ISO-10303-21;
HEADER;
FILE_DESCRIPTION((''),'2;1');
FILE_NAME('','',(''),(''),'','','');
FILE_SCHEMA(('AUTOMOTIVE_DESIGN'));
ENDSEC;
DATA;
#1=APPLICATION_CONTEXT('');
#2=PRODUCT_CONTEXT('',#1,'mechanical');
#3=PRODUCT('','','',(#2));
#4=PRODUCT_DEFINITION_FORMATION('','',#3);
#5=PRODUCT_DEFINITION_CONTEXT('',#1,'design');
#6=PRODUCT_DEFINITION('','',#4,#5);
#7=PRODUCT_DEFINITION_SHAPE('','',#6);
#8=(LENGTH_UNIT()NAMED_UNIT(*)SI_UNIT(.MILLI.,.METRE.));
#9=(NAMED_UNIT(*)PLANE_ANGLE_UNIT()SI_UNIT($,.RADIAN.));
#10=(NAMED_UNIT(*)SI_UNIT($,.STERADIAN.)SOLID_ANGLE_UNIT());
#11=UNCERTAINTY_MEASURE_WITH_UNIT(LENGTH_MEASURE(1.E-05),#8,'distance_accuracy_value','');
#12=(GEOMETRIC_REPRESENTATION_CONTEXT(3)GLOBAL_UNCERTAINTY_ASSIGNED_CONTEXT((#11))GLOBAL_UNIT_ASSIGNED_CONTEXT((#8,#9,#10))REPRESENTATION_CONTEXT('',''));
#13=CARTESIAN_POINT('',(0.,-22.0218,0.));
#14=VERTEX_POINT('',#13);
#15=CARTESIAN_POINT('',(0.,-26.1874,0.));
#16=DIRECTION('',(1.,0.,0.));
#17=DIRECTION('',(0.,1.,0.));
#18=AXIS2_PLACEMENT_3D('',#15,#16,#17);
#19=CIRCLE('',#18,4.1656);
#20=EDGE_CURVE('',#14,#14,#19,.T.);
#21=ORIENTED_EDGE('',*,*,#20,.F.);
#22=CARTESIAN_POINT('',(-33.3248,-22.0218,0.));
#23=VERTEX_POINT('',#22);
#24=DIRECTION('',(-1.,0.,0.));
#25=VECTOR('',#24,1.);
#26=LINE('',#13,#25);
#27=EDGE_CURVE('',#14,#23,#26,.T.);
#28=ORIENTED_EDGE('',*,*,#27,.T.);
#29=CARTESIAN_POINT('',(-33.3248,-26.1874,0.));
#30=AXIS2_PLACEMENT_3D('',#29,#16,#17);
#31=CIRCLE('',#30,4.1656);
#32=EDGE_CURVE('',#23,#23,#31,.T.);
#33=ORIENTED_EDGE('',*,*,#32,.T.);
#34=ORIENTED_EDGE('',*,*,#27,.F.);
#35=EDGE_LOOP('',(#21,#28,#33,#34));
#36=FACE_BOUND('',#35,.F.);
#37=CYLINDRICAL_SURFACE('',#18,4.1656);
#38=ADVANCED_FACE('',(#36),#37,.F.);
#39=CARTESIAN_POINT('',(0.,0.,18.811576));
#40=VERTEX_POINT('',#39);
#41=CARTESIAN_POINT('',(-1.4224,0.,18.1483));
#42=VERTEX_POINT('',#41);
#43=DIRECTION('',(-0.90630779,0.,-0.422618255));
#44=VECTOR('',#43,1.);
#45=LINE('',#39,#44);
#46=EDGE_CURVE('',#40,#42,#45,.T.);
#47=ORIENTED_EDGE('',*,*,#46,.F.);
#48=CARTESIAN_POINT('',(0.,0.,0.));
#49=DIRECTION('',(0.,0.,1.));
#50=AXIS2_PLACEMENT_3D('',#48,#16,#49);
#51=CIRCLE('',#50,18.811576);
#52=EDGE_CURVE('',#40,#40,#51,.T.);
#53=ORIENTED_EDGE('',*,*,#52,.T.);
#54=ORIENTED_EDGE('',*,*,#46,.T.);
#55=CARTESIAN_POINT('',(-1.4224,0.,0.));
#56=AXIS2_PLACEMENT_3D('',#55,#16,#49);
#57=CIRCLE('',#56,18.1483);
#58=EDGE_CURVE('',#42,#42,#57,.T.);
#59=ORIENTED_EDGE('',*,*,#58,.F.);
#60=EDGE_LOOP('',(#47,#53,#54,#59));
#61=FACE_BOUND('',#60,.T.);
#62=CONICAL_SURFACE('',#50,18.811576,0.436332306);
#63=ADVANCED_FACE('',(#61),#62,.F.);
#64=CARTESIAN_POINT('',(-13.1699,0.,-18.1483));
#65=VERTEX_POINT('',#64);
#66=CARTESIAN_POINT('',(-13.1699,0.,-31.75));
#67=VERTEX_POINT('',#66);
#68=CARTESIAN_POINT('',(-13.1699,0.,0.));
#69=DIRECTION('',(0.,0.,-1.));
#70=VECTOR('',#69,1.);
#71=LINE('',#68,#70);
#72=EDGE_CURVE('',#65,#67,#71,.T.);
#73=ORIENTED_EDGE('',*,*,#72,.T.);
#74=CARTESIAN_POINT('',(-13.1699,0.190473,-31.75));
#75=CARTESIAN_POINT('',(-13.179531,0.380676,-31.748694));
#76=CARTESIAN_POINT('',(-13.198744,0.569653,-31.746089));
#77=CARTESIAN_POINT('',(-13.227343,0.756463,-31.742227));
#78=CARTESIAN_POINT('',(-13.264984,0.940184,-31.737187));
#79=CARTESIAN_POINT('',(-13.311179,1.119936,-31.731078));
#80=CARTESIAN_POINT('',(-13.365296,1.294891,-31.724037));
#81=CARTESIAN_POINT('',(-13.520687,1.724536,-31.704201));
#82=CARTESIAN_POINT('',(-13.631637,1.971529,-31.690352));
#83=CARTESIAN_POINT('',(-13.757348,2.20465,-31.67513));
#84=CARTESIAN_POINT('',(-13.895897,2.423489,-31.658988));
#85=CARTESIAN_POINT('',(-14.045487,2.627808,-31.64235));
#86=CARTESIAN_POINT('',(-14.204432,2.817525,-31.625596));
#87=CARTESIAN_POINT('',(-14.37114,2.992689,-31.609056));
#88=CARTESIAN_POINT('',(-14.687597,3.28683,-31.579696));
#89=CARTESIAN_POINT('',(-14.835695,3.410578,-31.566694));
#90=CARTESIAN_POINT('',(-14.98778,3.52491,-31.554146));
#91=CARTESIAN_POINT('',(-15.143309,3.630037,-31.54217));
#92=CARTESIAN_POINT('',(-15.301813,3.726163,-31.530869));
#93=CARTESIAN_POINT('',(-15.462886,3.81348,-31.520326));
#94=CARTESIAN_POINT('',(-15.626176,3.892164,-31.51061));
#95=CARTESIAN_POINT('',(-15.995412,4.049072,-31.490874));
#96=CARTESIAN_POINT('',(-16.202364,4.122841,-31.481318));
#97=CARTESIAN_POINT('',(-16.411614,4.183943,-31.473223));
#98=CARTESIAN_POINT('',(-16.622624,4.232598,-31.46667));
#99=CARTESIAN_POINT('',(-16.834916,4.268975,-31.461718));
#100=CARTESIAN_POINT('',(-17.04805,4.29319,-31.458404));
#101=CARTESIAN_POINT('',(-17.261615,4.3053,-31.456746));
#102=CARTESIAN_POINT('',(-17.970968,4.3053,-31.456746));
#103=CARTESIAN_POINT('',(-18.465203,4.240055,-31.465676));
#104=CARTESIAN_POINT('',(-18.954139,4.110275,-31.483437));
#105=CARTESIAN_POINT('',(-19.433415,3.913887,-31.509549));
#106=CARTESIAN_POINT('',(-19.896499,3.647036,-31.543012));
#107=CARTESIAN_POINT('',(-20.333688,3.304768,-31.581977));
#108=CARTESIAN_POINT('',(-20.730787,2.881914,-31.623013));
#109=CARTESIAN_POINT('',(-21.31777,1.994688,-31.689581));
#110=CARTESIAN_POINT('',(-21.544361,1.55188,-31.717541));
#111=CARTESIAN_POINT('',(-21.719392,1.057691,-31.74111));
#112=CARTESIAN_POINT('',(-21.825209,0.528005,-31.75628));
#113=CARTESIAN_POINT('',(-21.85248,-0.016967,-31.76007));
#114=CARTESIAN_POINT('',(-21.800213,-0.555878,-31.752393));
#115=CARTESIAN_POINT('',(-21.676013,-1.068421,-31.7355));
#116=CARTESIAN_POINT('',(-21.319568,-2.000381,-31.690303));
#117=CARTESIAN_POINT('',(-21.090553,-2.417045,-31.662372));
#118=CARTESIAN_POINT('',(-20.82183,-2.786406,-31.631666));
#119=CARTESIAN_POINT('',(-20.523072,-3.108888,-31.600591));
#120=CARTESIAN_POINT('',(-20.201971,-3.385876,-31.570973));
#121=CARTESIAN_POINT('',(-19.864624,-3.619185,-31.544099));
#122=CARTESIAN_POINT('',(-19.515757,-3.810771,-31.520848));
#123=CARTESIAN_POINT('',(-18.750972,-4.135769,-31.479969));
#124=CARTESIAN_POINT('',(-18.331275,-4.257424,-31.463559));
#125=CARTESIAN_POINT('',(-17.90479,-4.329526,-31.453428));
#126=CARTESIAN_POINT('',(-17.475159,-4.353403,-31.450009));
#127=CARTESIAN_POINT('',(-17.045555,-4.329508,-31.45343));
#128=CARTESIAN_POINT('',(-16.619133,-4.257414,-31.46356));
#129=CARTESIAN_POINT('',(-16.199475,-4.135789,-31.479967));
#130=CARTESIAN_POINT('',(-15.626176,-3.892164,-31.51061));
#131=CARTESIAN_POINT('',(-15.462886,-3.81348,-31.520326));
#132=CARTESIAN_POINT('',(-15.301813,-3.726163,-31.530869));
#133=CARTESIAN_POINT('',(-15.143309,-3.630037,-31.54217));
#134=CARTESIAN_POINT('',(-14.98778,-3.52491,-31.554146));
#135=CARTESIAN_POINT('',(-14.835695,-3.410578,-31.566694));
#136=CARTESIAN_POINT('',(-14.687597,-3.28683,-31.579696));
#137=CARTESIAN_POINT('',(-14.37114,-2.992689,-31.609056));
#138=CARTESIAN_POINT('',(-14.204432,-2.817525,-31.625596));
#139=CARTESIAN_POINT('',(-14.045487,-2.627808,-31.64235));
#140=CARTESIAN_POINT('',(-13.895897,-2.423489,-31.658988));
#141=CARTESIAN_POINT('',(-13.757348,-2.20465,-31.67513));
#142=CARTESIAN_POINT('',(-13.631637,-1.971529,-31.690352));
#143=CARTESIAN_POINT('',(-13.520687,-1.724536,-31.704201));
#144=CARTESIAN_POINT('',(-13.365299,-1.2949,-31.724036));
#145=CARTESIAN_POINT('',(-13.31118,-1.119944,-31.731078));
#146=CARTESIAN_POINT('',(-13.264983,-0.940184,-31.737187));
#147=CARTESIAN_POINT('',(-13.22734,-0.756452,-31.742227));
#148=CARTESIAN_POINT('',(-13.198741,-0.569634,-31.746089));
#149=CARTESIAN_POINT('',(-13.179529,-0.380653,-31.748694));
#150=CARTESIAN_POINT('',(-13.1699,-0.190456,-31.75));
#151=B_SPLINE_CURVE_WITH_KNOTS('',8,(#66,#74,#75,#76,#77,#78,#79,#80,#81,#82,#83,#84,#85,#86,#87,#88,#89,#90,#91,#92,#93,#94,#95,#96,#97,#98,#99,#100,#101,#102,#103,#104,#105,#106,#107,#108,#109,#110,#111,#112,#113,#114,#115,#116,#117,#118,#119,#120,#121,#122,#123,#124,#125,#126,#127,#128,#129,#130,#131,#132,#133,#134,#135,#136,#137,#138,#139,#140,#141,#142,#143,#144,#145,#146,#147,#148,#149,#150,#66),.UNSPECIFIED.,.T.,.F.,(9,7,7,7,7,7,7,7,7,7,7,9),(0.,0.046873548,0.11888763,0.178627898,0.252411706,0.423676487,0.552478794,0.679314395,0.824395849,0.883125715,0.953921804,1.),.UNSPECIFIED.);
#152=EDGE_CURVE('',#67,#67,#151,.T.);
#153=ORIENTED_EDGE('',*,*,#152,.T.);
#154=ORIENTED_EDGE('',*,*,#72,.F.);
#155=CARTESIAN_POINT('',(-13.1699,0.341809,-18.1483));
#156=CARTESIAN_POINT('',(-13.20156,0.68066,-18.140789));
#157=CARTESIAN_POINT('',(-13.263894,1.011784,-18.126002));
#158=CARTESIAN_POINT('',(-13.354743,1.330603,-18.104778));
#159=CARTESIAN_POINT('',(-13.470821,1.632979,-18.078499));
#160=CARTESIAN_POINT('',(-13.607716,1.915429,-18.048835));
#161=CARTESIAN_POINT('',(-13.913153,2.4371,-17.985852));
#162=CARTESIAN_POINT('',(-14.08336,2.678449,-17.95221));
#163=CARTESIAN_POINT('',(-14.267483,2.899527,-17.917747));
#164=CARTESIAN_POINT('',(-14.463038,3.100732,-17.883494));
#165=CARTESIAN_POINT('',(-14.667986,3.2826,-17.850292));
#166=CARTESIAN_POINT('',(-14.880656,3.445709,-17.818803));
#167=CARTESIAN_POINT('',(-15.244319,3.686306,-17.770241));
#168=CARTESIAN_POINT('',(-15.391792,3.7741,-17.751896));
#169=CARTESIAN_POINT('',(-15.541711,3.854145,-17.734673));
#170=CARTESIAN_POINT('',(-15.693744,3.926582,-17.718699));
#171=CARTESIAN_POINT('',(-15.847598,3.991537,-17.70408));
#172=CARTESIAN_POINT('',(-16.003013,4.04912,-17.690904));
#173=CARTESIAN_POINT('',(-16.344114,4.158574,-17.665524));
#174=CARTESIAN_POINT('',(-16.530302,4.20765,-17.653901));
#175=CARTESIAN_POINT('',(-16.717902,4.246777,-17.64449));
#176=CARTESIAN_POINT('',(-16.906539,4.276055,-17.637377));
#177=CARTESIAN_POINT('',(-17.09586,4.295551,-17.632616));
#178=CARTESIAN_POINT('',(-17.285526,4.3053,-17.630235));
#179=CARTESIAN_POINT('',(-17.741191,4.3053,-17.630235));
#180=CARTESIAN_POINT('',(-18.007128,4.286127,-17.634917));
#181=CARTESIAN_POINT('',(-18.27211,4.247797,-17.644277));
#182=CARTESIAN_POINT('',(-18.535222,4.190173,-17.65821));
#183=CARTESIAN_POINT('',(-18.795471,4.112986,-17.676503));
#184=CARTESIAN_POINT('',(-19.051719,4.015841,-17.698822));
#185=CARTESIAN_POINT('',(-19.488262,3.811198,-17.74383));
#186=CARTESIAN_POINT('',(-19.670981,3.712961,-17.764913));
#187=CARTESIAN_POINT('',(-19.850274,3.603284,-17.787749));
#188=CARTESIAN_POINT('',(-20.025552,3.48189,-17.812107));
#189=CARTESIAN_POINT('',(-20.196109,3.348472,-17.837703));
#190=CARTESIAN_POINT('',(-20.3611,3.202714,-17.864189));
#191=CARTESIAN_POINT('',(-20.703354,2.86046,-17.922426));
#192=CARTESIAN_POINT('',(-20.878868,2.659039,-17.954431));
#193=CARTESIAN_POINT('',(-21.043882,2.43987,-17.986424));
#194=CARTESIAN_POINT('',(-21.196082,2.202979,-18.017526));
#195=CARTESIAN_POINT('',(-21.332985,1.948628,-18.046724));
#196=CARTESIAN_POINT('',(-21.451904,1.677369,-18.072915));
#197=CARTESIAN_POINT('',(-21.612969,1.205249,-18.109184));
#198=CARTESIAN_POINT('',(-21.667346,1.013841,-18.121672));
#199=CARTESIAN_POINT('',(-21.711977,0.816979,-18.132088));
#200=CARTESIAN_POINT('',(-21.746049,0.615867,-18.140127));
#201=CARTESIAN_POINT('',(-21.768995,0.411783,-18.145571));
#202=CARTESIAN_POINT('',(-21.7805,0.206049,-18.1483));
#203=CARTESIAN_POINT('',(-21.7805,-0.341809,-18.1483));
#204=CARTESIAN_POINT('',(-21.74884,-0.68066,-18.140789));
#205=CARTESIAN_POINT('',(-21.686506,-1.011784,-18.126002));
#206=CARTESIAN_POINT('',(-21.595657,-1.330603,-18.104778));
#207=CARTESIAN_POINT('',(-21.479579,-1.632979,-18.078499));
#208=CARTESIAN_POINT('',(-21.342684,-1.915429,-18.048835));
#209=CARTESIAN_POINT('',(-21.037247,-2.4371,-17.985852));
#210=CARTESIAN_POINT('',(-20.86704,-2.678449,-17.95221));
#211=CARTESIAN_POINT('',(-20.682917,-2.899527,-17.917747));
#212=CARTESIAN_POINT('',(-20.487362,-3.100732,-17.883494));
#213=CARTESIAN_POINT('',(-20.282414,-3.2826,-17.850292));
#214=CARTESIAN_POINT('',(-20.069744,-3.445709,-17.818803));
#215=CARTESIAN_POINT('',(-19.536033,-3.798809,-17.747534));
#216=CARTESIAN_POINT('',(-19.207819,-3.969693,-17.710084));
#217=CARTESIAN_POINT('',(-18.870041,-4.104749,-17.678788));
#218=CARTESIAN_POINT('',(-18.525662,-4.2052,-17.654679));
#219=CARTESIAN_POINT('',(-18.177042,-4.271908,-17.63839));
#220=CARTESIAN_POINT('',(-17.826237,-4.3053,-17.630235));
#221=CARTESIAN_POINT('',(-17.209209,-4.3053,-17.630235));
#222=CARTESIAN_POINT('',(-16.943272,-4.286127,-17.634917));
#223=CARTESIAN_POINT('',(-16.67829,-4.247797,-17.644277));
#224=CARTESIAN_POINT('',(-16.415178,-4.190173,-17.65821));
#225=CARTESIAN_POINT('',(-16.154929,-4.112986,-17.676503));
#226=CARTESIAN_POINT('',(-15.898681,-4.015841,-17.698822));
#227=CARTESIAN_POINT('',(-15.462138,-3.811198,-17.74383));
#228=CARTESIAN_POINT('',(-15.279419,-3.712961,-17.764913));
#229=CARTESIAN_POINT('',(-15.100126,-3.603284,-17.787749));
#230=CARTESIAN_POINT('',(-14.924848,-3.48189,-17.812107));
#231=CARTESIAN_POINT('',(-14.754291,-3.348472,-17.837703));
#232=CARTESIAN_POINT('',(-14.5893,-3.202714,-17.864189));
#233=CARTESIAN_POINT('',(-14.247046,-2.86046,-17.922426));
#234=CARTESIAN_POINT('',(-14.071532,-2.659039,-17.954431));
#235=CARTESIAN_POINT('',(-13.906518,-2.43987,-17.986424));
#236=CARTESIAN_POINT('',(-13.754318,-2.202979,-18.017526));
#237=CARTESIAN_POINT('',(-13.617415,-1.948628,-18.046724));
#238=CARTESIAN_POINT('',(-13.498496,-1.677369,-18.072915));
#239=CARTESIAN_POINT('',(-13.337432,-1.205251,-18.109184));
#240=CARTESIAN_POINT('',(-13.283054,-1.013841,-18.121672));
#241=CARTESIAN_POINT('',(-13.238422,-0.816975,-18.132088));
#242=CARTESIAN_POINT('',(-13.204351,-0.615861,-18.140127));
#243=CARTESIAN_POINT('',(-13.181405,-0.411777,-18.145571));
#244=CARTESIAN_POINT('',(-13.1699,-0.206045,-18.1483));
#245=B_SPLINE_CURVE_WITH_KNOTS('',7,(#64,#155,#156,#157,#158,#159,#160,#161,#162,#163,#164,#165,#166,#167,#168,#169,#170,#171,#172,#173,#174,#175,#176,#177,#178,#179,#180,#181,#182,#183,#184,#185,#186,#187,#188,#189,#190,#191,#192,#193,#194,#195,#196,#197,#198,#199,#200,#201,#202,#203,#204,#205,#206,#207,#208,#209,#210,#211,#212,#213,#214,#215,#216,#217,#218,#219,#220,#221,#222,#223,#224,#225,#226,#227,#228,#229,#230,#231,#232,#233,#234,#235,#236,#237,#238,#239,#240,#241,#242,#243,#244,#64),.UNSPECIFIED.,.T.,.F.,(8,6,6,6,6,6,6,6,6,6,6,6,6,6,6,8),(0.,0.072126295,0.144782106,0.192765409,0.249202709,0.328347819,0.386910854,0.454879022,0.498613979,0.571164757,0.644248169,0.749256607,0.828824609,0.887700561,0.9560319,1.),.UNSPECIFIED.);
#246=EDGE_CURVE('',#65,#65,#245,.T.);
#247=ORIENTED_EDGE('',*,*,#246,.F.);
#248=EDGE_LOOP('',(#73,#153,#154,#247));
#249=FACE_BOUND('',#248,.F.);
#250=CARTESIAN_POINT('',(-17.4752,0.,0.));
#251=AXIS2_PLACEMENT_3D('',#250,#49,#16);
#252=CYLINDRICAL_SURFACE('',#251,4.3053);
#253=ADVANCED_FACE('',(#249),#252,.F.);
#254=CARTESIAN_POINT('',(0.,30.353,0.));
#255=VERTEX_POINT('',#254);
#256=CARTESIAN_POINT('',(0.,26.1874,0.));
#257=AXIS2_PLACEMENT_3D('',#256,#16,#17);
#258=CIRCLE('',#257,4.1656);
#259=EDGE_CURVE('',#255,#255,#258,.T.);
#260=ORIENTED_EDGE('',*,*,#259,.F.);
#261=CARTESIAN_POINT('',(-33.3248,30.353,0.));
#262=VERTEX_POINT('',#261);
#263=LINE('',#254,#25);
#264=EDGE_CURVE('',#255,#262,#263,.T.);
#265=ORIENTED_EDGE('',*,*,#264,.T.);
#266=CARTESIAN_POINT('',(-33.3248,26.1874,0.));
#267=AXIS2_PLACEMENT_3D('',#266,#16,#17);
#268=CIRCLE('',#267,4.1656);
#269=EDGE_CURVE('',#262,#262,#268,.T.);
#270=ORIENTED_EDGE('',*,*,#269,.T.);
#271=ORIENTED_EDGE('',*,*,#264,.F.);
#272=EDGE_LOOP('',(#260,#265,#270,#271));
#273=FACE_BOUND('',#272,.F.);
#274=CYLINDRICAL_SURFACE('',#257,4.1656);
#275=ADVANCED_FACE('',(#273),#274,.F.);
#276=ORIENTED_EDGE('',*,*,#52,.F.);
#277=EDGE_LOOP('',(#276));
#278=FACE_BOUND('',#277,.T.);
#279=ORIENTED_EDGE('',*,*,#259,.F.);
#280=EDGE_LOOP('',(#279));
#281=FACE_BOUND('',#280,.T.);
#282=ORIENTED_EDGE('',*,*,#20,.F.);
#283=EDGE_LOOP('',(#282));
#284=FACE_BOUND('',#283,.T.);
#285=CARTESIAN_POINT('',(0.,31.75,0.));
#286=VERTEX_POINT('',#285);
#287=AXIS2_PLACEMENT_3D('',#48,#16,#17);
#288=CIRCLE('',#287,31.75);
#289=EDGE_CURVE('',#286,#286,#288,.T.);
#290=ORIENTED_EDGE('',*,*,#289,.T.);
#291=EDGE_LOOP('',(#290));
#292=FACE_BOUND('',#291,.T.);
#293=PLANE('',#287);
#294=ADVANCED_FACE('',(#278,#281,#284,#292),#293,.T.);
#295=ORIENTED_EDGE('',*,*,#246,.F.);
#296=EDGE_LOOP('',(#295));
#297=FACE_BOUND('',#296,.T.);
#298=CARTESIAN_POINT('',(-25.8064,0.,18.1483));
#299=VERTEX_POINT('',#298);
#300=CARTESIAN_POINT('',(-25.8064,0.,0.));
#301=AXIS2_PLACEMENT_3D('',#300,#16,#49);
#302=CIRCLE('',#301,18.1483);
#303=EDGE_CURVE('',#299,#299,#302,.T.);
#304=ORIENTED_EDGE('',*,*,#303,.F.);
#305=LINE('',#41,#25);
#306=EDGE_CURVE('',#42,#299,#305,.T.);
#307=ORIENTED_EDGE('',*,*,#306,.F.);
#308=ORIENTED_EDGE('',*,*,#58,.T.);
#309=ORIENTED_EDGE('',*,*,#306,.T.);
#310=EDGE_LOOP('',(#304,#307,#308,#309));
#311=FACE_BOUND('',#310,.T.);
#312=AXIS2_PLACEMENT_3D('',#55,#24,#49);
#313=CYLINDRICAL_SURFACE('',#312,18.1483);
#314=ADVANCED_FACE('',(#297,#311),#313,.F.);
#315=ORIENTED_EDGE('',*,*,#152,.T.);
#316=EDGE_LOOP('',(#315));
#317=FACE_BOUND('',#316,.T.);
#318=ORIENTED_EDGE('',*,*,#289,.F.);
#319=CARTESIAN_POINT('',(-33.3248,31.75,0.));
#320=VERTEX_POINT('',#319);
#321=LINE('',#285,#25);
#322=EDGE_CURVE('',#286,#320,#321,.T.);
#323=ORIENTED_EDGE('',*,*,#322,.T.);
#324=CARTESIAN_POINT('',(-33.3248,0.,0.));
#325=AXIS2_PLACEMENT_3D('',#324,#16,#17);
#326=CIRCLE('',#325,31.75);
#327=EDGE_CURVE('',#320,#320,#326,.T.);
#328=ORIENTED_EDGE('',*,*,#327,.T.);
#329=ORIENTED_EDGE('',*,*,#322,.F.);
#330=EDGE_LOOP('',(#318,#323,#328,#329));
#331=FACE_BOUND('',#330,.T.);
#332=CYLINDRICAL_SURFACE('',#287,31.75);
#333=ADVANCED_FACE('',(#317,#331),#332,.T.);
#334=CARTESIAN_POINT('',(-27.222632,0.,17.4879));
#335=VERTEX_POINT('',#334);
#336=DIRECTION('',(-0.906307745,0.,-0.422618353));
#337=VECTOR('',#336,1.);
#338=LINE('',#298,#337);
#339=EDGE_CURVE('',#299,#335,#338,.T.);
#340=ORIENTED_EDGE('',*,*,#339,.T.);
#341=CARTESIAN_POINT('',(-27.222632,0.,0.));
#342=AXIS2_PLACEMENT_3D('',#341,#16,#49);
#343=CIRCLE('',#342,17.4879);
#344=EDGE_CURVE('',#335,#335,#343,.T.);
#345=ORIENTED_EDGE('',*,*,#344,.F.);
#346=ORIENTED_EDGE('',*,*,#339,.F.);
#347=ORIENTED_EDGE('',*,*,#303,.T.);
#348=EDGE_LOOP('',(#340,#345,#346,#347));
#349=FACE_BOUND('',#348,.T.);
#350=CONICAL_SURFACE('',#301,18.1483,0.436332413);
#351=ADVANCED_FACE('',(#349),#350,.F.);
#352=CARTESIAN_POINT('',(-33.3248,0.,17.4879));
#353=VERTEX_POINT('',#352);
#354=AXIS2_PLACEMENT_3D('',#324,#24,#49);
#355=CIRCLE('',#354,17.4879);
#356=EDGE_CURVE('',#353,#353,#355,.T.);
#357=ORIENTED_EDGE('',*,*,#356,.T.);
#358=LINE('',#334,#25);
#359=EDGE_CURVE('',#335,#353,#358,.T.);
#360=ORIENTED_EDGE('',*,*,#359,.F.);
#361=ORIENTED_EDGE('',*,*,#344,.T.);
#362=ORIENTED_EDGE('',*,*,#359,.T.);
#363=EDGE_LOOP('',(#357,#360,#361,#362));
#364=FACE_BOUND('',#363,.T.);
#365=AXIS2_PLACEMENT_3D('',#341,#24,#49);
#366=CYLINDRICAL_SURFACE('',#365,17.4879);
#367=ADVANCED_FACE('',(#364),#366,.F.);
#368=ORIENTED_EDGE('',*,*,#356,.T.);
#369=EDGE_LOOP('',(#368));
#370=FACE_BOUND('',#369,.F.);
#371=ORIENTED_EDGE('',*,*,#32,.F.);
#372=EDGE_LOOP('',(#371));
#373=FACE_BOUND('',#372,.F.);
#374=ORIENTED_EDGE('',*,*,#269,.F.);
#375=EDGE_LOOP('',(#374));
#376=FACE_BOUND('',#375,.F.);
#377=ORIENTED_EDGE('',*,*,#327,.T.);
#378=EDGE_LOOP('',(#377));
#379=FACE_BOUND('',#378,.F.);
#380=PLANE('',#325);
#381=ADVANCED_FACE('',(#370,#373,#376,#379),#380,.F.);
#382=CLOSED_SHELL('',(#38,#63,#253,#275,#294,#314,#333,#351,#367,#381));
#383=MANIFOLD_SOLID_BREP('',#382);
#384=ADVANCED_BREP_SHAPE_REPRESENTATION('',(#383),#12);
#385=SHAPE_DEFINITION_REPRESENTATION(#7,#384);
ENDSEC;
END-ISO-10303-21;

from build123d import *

# Parameters (mm, degrees)
F0_R     = 31.75
F0_R_2   = 4.1656
F1_DEPTH = 33.3248
F4_R     = 4.3053
F5_DEPTH = 32.512


with BuildPart() as f1:
    # F0 (on Right) → F1 (new body)
    with BuildSketch(Plane.YZ):
        Circle(F0_R)
        with Locations((-26.1874, 0)):
            Circle(F0_R_2, mode=Mode.SUBTRACT)
        with Locations((26.1874, 0)):
            Circle(F0_R_2, mode=Mode.SUBTRACT)
    extrude(amount=-F1_DEPTH)

    # F2 (on Front) → F3 (revolve, cut)
    with BuildSketch(Plane.XZ):
        Polygon((0, 18.811576), (-1.4224, 18.1483), (-25.8064, 18.1483), (-27.222632, 17.4879), (-34.925, 17.4879), (-34.925, 0), (0, 0), align=None)
    revolve(axis=Axis((-17.4625, 0, 0), (1, 0, 0)), mode=Mode.SUBTRACT)

    # F4 (on Top) → F5 (cut)
    with BuildSketch(Plane.XY):
        with Locations((-17.4752, 0)):
            Circle(F4_R)
    extrude(amount=-F5_DEPTH, mode=Mode.SUBTRACT)


solid = f1.part
